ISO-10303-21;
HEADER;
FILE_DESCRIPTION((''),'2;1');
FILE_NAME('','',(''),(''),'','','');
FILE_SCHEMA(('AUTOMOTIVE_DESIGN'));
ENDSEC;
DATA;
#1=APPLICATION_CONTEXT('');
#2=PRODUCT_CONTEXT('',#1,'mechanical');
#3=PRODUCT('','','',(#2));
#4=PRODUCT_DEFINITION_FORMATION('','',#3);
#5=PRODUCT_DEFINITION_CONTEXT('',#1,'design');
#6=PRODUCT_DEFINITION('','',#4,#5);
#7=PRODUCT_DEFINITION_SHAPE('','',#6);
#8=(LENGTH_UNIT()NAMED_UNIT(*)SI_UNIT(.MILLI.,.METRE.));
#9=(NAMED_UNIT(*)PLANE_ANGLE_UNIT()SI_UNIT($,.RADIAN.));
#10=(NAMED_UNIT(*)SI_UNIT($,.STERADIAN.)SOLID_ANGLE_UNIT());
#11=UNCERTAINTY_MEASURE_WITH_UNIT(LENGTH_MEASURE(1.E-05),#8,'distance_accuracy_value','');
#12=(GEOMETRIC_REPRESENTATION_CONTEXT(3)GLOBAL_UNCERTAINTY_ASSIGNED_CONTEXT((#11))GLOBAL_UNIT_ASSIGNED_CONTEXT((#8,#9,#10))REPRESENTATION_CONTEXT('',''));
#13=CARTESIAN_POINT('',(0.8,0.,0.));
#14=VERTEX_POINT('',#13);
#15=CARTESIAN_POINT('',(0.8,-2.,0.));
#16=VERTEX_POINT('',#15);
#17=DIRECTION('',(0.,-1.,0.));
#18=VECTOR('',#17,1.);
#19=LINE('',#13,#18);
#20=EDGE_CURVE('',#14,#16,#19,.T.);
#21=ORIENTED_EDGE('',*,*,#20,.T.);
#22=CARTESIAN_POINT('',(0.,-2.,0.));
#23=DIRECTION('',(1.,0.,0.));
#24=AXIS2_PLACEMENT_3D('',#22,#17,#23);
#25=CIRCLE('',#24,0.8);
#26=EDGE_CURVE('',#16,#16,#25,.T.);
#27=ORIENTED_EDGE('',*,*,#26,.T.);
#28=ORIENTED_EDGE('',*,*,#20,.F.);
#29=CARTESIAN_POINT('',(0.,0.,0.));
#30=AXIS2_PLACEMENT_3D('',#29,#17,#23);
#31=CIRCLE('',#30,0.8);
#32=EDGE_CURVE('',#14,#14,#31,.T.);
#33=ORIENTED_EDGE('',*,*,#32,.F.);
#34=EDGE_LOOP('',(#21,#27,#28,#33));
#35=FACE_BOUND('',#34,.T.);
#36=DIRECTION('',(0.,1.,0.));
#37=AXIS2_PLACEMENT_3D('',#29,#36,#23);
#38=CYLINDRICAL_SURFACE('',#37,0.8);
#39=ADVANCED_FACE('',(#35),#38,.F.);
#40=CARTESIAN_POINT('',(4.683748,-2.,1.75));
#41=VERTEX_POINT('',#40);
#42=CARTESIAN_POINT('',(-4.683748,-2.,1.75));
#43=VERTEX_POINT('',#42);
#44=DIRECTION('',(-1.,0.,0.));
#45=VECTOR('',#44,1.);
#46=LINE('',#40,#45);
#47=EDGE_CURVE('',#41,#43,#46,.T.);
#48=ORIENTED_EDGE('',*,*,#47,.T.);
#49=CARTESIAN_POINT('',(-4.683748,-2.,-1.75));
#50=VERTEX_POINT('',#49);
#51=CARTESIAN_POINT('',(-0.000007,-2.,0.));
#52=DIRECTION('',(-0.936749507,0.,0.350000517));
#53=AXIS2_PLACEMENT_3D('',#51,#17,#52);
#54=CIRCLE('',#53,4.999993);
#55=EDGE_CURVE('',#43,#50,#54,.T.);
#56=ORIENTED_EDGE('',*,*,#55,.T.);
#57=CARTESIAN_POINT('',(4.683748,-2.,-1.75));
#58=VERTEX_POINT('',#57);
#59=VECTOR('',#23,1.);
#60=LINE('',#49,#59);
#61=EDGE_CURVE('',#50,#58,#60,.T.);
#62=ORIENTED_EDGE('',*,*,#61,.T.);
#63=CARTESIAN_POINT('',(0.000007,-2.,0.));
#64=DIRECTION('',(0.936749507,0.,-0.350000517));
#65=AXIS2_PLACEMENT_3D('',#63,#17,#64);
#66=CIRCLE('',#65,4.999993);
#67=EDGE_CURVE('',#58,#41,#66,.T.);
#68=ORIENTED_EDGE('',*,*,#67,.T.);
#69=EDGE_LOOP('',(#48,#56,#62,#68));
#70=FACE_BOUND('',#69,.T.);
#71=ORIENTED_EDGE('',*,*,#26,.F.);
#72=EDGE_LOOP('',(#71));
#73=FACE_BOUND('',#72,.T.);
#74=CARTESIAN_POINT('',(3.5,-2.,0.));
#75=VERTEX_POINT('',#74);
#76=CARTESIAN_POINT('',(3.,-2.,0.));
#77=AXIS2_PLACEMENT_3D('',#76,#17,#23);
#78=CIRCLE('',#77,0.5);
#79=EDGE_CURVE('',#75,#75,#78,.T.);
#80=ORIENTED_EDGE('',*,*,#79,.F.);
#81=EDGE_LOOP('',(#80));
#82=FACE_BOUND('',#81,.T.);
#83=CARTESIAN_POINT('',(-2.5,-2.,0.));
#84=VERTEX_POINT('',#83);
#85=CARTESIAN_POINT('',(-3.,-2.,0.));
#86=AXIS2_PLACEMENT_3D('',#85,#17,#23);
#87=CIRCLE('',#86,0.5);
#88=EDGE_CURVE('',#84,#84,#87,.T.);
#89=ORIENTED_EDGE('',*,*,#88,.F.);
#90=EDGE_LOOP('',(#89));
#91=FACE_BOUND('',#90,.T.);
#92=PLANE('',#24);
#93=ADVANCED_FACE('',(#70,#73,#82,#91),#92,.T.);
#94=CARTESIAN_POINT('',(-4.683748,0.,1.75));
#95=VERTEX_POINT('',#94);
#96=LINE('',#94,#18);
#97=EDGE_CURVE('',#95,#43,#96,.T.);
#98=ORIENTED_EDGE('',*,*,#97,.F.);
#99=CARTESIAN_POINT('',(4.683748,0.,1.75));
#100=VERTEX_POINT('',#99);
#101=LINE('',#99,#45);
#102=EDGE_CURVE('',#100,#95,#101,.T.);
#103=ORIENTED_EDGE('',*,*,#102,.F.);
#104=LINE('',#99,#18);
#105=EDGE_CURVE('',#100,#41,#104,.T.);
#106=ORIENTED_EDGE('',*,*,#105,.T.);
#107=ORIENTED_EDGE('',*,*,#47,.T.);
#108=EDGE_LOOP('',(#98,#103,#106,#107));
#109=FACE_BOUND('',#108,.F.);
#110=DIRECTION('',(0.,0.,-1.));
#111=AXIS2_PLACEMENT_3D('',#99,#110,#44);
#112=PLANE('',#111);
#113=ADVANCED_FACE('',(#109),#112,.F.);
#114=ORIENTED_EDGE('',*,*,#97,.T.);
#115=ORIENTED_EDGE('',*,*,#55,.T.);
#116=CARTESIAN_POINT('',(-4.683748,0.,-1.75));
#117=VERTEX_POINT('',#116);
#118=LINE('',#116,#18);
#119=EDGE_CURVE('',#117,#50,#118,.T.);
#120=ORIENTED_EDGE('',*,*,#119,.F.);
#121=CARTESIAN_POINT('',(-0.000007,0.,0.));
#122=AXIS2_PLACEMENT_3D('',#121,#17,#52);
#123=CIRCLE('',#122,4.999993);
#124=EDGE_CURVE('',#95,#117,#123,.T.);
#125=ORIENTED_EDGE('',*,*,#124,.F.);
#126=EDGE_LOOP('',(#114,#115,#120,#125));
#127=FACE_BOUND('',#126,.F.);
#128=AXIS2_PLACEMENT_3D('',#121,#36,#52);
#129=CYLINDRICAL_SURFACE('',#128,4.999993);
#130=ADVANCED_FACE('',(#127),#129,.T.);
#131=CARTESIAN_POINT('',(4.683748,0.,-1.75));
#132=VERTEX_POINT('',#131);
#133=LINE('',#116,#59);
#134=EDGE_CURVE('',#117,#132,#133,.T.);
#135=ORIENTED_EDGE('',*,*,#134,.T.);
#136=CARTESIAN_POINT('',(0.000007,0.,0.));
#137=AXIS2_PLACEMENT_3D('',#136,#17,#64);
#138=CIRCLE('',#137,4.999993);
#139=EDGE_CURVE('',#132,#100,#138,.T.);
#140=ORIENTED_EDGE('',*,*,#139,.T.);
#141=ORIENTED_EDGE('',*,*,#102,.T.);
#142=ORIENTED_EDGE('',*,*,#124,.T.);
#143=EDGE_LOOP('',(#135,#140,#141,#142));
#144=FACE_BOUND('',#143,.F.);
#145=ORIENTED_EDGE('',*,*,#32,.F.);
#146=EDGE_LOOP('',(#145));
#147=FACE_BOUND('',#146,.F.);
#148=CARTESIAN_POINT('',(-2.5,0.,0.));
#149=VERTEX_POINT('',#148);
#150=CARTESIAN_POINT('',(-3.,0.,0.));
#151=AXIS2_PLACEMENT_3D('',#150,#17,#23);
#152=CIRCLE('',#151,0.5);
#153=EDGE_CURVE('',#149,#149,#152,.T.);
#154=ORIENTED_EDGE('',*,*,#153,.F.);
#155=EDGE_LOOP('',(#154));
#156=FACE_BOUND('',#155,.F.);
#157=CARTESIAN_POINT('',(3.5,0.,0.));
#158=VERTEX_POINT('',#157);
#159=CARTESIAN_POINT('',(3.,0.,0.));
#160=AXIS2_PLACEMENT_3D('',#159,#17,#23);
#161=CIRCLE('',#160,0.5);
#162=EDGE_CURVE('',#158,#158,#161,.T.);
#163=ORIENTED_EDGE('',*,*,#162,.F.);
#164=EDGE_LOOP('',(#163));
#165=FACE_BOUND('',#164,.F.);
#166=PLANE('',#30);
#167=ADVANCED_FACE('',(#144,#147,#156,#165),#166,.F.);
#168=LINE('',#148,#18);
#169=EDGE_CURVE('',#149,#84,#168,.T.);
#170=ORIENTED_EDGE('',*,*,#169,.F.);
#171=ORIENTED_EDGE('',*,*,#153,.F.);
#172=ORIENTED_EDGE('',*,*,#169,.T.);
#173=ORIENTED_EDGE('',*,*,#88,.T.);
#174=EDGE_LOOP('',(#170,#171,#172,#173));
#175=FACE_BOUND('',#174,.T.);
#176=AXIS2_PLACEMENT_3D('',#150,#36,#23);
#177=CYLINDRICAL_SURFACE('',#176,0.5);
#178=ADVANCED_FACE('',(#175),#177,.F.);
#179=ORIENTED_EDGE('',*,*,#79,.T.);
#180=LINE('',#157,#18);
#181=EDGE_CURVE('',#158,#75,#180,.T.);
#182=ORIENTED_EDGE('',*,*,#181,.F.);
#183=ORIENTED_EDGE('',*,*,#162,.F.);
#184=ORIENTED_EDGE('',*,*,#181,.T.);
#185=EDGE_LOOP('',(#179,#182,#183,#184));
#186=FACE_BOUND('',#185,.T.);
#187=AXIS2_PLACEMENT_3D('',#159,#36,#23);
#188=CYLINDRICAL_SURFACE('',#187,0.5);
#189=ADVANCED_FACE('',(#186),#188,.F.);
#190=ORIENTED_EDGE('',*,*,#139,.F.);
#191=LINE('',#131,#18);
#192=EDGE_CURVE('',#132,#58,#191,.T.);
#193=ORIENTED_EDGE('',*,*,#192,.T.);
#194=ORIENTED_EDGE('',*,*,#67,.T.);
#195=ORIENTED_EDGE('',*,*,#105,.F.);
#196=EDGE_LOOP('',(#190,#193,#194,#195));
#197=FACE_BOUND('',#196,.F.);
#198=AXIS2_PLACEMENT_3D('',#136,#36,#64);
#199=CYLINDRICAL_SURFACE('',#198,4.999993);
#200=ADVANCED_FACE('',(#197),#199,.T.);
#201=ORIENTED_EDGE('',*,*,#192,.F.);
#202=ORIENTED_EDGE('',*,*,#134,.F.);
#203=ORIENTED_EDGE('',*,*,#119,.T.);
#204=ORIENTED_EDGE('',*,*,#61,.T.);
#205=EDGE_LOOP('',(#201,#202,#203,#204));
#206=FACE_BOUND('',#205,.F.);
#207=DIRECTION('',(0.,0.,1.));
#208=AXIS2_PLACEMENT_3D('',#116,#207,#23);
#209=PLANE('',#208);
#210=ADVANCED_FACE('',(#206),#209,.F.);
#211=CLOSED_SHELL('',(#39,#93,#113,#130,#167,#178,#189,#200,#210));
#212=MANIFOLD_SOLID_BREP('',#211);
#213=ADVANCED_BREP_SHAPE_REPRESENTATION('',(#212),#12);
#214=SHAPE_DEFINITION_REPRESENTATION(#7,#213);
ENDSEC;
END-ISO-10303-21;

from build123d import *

# Parameters (mm, degrees)
F0_R     = 0.5
F0_R_2   = 0.8
F1_DEPTH = 2


with BuildPart() as f1:
    # F0 (on Front) → F1 (new body)
    with BuildSketch(Plane.XZ):
        with BuildLine():
            Line((4.683748, 1.75), (-4.683748, 1.75))
            ThreePointArc((-4.683748, 1.75), (-5, 0), (-4.683748, -1.75))
            Line((-4.683748, -1.75), (4.683748, -1.75))
            ThreePointArc((4.683748, -1.75), (5, 0), (4.683748, 1.75))
        make_face()
        with Locations((-3, 0)):
            Circle(F0_R, mode=Mode.SUBTRACT)
        Circle(F0_R_2, mode=Mode.SUBTRACT)
        with Locations((3, 0)):
            Circle(F0_R, mode=Mode.SUBTRACT)
    extrude(amount=F1_DEPTH)


solid = f1.part
